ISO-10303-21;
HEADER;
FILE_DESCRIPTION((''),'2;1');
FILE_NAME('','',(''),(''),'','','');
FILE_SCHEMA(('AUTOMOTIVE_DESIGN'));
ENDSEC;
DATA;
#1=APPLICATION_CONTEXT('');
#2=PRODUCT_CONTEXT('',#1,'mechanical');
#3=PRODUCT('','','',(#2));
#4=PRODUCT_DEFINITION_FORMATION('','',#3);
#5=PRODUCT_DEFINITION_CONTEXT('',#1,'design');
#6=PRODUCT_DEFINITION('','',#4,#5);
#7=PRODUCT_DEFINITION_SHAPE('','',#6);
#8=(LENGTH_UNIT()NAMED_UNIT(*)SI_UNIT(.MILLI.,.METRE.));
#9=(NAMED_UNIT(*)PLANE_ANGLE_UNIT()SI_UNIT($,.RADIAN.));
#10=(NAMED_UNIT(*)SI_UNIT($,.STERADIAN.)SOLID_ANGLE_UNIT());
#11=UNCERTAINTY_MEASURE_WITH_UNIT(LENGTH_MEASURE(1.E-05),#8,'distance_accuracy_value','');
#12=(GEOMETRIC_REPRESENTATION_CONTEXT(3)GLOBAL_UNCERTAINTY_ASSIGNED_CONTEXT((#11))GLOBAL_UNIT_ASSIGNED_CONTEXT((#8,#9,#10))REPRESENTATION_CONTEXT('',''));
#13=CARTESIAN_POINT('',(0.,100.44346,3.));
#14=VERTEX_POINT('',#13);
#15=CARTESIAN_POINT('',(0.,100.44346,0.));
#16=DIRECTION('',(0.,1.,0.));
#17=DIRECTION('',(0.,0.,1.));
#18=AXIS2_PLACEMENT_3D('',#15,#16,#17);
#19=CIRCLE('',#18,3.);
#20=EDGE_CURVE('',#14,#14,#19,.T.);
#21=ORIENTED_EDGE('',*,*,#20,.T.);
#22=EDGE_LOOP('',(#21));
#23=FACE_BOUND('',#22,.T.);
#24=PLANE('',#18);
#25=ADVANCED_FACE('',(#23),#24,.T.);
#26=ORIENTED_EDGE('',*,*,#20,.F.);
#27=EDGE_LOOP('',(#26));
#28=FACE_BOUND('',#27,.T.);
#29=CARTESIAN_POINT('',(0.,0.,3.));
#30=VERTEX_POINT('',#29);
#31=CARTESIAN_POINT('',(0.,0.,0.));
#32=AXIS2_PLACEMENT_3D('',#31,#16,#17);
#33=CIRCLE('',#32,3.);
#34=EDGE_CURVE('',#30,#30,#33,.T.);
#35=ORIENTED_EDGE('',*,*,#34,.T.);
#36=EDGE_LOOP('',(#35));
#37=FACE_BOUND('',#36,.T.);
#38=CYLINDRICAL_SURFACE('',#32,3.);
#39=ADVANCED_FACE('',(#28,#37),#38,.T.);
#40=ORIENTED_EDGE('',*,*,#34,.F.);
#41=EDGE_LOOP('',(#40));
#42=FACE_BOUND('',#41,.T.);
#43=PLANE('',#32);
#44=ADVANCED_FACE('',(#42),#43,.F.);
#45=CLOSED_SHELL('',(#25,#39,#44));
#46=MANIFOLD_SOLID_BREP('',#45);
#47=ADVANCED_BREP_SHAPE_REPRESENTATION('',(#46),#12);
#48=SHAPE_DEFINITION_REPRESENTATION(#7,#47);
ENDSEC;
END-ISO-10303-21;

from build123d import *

# Parameters (mm, degrees)
SKETCH2_R = 3


with BuildPart() as part:
    # Sweep1: sweep along a path in Sketch1
    with BuildLine(Plane.XY) as sweep1_path:
        Line((0, 0), (0, 100.443459654))
    # Sketch2 → Sweep1 (sweep)
    with BuildSketch(Plane(origin=(0, 0, 0), x_dir=(1, 0, 0), z_dir=(0, 1, 0))):
        Circle(SKETCH2_R)
    sweep(path=sweep1_path.line)


solid = part.part
